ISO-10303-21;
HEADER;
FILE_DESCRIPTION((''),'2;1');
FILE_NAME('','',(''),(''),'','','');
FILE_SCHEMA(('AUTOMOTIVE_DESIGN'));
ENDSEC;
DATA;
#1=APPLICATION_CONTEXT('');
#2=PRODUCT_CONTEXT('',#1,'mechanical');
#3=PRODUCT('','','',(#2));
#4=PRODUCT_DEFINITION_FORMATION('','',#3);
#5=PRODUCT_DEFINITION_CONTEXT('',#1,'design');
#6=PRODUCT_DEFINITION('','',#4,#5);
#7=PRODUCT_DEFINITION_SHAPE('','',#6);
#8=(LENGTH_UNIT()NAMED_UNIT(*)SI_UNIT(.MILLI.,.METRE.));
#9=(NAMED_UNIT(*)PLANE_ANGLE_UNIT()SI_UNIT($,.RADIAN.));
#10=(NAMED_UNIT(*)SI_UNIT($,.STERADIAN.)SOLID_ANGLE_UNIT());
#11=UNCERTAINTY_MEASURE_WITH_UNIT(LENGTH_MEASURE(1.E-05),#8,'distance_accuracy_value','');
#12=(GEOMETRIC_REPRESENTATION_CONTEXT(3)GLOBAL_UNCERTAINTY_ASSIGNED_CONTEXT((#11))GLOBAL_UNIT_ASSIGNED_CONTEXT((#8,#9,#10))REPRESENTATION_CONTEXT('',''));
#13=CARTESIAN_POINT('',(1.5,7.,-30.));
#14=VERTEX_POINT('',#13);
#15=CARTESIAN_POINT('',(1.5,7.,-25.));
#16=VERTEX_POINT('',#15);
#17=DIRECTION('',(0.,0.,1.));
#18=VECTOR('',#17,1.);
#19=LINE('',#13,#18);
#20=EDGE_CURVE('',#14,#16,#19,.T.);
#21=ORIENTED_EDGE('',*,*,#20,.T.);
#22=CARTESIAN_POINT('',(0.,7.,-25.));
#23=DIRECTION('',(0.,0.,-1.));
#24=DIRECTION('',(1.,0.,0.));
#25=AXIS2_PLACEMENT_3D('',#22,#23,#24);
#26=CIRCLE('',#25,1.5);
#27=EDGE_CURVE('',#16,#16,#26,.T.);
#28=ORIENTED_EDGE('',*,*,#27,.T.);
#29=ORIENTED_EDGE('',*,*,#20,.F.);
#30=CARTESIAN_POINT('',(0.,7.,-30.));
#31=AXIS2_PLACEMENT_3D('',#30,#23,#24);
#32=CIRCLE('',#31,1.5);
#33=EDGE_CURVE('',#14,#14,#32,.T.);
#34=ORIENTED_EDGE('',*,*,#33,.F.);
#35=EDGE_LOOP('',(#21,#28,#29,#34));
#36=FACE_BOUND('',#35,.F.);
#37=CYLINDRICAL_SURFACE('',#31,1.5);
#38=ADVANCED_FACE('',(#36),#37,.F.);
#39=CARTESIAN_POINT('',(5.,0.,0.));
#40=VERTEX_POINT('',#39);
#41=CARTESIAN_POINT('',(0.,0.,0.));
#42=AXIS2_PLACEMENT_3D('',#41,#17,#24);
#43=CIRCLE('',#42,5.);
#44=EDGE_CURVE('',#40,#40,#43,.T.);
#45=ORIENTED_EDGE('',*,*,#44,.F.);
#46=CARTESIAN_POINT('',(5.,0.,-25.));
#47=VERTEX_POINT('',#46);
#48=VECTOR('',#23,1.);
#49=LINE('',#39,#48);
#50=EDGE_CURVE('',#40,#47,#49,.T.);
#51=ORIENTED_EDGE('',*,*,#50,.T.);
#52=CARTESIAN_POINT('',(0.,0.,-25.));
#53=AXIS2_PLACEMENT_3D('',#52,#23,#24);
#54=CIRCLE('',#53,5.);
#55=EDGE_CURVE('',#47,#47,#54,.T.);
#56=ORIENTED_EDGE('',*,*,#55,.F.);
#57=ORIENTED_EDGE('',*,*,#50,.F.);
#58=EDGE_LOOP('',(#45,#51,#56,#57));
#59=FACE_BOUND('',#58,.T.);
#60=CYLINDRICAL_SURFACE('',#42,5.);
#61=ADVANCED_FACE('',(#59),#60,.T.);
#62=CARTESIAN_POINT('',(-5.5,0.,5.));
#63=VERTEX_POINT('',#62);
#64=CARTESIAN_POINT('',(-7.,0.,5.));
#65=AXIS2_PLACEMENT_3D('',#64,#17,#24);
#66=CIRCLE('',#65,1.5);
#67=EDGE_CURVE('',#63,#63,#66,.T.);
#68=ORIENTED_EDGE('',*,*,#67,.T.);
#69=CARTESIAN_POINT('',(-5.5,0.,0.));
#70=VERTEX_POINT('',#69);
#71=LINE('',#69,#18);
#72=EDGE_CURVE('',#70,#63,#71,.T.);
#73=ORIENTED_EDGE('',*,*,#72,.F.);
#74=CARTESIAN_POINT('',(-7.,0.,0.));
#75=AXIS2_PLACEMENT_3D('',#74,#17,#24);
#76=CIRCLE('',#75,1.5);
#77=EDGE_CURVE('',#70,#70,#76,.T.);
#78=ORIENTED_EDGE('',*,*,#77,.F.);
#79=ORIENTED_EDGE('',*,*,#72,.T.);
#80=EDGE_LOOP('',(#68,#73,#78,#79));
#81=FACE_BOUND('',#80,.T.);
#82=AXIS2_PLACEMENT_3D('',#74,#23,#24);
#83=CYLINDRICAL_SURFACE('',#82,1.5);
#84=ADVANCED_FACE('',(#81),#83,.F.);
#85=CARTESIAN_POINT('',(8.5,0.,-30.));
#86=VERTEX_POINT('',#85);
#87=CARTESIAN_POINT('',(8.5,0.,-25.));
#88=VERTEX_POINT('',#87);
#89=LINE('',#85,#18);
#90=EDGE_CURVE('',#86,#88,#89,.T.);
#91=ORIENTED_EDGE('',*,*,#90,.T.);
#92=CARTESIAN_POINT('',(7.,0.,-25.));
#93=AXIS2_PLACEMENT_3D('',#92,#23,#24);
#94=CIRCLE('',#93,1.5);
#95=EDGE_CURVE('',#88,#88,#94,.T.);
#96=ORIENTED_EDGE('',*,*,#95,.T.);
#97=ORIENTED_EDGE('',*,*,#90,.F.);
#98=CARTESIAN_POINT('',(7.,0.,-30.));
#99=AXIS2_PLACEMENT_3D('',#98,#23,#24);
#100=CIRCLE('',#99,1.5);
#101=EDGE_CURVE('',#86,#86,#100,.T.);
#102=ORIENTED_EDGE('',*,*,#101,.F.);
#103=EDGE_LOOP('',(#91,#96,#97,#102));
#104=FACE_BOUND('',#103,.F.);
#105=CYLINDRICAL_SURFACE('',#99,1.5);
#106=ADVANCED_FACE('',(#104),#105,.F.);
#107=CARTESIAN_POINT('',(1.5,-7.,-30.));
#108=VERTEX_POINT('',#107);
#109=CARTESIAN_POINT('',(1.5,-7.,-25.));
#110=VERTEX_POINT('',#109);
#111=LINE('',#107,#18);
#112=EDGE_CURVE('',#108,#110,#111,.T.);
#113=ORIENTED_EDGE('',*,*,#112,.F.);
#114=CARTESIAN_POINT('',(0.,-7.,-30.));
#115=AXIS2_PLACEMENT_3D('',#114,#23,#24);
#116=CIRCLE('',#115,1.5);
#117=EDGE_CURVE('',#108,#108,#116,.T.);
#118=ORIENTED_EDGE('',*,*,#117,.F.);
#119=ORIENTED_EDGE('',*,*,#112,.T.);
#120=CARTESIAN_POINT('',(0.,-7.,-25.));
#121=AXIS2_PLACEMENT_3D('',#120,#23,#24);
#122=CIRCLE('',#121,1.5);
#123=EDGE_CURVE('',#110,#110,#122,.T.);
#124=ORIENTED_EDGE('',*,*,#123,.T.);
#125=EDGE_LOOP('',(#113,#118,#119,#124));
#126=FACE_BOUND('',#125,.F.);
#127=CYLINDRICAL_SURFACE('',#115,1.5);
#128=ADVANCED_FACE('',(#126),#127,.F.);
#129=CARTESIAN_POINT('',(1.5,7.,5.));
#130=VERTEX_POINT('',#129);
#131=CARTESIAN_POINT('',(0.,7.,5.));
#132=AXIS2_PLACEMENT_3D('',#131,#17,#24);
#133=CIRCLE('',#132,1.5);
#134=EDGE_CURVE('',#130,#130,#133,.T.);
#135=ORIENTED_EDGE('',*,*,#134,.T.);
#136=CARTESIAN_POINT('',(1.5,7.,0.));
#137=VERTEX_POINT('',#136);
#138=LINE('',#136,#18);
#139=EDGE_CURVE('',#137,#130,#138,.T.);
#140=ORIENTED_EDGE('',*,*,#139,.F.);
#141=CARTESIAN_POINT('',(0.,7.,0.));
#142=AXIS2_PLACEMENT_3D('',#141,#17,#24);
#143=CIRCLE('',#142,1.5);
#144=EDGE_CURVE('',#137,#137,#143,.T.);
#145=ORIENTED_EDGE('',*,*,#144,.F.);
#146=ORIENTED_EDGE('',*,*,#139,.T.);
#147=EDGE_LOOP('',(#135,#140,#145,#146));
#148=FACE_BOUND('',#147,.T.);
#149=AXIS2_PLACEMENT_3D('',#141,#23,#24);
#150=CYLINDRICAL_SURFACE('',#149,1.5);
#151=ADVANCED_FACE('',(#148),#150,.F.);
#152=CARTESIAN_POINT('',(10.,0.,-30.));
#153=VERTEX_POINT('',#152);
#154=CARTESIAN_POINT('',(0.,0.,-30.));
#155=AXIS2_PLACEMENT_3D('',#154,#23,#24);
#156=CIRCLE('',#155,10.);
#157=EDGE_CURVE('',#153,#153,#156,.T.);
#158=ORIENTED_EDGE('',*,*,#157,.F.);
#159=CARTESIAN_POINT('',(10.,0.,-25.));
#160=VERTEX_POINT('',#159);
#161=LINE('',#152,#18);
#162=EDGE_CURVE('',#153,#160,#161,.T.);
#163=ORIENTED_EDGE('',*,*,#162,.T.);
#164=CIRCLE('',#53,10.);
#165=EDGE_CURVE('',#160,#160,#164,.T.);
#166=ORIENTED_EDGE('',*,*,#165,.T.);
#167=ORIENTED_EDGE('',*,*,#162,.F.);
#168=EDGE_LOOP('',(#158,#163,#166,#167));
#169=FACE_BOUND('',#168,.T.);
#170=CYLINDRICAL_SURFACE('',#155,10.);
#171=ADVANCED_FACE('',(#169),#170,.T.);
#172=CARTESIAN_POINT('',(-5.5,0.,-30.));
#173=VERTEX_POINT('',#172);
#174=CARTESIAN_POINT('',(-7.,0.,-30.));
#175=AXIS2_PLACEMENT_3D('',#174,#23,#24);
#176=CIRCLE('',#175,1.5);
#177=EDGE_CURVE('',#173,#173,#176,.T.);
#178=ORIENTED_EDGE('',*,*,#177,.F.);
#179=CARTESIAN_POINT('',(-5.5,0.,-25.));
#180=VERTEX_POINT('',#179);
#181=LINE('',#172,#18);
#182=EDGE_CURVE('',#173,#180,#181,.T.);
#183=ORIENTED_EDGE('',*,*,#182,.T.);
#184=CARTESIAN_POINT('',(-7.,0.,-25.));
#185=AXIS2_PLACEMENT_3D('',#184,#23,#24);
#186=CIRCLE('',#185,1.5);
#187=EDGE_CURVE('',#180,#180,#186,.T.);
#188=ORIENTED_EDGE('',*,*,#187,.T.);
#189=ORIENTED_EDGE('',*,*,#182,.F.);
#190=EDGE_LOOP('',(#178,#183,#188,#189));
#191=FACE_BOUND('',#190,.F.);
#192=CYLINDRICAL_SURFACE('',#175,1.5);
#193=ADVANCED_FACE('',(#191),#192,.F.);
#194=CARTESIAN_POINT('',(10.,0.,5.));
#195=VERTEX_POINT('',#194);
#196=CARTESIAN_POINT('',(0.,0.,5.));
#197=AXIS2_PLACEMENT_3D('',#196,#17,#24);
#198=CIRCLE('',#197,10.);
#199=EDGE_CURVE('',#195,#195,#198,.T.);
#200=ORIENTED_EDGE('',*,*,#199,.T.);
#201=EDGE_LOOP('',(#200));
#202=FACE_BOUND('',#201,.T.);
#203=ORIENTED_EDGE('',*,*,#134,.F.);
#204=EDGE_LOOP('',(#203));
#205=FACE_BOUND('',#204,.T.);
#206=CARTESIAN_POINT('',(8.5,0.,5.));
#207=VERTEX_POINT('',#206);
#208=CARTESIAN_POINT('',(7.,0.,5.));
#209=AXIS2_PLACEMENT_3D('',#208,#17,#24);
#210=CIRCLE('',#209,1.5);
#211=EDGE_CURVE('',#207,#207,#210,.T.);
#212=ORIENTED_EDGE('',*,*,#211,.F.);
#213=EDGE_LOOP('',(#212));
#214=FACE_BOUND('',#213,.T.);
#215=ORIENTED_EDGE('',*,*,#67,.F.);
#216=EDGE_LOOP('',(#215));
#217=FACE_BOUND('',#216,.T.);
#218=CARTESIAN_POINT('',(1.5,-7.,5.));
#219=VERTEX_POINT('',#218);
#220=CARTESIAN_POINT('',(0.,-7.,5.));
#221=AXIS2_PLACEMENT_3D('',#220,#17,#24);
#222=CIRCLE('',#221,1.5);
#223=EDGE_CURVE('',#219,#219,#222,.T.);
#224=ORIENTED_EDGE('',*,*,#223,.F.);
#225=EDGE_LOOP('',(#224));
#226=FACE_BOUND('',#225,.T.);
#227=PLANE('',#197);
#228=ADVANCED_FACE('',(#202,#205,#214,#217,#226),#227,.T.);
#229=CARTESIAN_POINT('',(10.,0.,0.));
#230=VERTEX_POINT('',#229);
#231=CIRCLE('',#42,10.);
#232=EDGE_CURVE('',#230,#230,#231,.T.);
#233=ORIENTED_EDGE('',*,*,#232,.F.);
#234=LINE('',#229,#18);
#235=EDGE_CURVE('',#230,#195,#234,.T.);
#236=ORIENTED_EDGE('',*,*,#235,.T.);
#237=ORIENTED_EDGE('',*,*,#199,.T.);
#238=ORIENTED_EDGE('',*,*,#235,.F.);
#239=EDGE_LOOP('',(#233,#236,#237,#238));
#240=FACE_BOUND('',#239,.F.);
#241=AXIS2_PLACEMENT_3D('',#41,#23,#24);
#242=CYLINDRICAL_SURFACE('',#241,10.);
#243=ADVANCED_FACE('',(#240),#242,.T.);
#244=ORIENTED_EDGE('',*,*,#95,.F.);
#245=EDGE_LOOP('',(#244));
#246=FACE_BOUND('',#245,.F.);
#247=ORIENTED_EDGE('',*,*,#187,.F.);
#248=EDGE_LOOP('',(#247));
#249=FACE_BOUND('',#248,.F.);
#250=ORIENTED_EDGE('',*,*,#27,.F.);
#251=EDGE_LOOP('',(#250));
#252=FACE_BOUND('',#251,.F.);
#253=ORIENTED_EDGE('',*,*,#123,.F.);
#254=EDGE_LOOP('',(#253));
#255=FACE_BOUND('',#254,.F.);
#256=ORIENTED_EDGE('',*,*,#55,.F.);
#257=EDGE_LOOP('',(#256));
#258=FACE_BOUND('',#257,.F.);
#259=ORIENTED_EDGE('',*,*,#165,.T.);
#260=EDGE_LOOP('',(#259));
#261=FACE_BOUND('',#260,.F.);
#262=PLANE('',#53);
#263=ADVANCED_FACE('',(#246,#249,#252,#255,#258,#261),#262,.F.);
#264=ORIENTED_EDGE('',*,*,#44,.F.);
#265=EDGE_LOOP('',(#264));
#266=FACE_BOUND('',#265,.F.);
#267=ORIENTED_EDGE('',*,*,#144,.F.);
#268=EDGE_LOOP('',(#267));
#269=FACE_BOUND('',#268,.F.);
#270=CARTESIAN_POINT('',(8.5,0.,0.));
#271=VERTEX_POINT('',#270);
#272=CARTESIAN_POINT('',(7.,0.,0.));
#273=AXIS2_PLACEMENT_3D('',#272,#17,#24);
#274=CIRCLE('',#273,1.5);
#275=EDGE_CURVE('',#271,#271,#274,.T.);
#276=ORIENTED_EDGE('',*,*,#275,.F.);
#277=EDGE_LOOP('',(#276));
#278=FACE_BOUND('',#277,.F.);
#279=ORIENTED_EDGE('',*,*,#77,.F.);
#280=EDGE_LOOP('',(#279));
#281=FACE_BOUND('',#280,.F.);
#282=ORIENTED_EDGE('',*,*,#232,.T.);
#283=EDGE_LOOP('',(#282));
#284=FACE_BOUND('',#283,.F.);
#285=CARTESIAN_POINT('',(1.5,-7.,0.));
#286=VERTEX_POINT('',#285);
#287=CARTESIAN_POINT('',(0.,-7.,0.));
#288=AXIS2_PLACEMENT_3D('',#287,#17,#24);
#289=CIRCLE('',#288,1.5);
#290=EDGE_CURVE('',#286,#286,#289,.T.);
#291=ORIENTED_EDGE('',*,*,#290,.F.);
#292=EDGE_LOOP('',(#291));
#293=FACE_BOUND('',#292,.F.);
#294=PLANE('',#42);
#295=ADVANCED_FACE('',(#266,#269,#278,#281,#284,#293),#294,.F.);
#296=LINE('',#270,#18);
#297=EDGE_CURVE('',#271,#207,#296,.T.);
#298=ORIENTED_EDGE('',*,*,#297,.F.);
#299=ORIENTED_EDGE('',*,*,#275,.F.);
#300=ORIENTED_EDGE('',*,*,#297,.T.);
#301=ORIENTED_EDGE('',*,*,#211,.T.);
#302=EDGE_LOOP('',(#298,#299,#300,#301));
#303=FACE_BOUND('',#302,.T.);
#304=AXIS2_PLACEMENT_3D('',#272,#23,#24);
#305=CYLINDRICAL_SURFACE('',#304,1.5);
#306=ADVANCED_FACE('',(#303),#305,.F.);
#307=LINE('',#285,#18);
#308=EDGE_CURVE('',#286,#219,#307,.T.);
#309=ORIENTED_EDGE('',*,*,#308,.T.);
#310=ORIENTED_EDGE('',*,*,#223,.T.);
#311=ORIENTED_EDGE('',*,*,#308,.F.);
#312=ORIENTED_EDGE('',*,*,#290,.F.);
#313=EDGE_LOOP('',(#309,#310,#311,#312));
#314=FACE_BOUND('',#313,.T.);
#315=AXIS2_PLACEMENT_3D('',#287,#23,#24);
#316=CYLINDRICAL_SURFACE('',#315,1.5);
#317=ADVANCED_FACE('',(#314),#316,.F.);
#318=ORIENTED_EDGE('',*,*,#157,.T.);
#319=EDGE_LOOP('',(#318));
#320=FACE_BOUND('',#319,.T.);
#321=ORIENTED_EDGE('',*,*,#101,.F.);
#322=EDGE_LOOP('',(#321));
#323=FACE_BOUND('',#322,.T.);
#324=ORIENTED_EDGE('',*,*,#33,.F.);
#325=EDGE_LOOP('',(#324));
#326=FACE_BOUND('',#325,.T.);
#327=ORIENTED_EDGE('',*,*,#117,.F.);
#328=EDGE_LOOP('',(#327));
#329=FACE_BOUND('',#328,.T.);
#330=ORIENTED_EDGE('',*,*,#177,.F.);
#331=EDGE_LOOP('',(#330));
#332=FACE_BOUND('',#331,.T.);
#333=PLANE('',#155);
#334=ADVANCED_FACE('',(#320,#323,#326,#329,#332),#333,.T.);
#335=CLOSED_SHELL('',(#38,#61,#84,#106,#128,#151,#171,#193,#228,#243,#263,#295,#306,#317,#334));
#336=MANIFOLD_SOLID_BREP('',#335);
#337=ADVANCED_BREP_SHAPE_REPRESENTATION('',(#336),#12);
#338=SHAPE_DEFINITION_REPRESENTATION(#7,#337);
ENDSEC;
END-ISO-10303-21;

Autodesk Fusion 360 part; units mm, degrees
sketch "Sketch1" plane through (0, 0, 0) normal (0, 0, 1) x (1, 0, 0)
  circle A0 centre (0, 0) radius 7 construction
  circle A1 centre (-7, 0) radius 1.5
  circle A2 centre (0, 7) radius 1.5
  circle A3 centre (7, 0) radius 1.5
  circle A4 centre (0, -7) radius 1.5
  circle A5 centre (0, 0) radius 10
  circle A6 centre (0, 0) radius 5
  dimension "d5" = 360
  dimension "d7" = 14
  dimension "d8" = 3
  dimension "d11" = 20
  dimension "d15" = 10
extrude "Extrude1" add sketch "Sketch1" along normal blind 5 contours A5 | A6
extrude "Extrude2" add sketch "Sketch1" against normal blind 30 contours A6
sketch "Sketch3" plane through (0, 0, -30) normal (0, 0, -1) x (1, 0, 0)
  circle A0 centre (0, 0) radius 5
  circle A1 centre (0, 7) radius 1.5
  circle A2 centre (0, 0) radius 5
  circle A3 centre (0, 0) radius 7 construction
  circle A4 centre (-7, 0) radius 1.5
  circle A5 centre (0, -7) radius 1.5
  circle A6 centre (7, 0) radius 1.5
  circle A7 centre (0, 0) radius 10
  dimension "d20" = 360
  dimension "d21" = 14
  dimension "d22" = 3
  dimension "d23" = 20
  dimension "d24" = 10
extrude "Extrude4" add sketch "Sketch3" against normal blind 5
equation "outer_radius = 20 mm"
equation "radius_thickness = 5 mm"
equation "d11 = outer_radius"
equation "d12 = radius_thickness"
equation "inner_radius = 10 mm"
equation "d15 = inner_radius"
equation "tot_height = 35 mm"
equation "d17 = -tot_height + radius_thickness"
equation "d23 = outer_radius"
equation "d24 = inner_radius"
equation "d27 = -radius_thickness"
